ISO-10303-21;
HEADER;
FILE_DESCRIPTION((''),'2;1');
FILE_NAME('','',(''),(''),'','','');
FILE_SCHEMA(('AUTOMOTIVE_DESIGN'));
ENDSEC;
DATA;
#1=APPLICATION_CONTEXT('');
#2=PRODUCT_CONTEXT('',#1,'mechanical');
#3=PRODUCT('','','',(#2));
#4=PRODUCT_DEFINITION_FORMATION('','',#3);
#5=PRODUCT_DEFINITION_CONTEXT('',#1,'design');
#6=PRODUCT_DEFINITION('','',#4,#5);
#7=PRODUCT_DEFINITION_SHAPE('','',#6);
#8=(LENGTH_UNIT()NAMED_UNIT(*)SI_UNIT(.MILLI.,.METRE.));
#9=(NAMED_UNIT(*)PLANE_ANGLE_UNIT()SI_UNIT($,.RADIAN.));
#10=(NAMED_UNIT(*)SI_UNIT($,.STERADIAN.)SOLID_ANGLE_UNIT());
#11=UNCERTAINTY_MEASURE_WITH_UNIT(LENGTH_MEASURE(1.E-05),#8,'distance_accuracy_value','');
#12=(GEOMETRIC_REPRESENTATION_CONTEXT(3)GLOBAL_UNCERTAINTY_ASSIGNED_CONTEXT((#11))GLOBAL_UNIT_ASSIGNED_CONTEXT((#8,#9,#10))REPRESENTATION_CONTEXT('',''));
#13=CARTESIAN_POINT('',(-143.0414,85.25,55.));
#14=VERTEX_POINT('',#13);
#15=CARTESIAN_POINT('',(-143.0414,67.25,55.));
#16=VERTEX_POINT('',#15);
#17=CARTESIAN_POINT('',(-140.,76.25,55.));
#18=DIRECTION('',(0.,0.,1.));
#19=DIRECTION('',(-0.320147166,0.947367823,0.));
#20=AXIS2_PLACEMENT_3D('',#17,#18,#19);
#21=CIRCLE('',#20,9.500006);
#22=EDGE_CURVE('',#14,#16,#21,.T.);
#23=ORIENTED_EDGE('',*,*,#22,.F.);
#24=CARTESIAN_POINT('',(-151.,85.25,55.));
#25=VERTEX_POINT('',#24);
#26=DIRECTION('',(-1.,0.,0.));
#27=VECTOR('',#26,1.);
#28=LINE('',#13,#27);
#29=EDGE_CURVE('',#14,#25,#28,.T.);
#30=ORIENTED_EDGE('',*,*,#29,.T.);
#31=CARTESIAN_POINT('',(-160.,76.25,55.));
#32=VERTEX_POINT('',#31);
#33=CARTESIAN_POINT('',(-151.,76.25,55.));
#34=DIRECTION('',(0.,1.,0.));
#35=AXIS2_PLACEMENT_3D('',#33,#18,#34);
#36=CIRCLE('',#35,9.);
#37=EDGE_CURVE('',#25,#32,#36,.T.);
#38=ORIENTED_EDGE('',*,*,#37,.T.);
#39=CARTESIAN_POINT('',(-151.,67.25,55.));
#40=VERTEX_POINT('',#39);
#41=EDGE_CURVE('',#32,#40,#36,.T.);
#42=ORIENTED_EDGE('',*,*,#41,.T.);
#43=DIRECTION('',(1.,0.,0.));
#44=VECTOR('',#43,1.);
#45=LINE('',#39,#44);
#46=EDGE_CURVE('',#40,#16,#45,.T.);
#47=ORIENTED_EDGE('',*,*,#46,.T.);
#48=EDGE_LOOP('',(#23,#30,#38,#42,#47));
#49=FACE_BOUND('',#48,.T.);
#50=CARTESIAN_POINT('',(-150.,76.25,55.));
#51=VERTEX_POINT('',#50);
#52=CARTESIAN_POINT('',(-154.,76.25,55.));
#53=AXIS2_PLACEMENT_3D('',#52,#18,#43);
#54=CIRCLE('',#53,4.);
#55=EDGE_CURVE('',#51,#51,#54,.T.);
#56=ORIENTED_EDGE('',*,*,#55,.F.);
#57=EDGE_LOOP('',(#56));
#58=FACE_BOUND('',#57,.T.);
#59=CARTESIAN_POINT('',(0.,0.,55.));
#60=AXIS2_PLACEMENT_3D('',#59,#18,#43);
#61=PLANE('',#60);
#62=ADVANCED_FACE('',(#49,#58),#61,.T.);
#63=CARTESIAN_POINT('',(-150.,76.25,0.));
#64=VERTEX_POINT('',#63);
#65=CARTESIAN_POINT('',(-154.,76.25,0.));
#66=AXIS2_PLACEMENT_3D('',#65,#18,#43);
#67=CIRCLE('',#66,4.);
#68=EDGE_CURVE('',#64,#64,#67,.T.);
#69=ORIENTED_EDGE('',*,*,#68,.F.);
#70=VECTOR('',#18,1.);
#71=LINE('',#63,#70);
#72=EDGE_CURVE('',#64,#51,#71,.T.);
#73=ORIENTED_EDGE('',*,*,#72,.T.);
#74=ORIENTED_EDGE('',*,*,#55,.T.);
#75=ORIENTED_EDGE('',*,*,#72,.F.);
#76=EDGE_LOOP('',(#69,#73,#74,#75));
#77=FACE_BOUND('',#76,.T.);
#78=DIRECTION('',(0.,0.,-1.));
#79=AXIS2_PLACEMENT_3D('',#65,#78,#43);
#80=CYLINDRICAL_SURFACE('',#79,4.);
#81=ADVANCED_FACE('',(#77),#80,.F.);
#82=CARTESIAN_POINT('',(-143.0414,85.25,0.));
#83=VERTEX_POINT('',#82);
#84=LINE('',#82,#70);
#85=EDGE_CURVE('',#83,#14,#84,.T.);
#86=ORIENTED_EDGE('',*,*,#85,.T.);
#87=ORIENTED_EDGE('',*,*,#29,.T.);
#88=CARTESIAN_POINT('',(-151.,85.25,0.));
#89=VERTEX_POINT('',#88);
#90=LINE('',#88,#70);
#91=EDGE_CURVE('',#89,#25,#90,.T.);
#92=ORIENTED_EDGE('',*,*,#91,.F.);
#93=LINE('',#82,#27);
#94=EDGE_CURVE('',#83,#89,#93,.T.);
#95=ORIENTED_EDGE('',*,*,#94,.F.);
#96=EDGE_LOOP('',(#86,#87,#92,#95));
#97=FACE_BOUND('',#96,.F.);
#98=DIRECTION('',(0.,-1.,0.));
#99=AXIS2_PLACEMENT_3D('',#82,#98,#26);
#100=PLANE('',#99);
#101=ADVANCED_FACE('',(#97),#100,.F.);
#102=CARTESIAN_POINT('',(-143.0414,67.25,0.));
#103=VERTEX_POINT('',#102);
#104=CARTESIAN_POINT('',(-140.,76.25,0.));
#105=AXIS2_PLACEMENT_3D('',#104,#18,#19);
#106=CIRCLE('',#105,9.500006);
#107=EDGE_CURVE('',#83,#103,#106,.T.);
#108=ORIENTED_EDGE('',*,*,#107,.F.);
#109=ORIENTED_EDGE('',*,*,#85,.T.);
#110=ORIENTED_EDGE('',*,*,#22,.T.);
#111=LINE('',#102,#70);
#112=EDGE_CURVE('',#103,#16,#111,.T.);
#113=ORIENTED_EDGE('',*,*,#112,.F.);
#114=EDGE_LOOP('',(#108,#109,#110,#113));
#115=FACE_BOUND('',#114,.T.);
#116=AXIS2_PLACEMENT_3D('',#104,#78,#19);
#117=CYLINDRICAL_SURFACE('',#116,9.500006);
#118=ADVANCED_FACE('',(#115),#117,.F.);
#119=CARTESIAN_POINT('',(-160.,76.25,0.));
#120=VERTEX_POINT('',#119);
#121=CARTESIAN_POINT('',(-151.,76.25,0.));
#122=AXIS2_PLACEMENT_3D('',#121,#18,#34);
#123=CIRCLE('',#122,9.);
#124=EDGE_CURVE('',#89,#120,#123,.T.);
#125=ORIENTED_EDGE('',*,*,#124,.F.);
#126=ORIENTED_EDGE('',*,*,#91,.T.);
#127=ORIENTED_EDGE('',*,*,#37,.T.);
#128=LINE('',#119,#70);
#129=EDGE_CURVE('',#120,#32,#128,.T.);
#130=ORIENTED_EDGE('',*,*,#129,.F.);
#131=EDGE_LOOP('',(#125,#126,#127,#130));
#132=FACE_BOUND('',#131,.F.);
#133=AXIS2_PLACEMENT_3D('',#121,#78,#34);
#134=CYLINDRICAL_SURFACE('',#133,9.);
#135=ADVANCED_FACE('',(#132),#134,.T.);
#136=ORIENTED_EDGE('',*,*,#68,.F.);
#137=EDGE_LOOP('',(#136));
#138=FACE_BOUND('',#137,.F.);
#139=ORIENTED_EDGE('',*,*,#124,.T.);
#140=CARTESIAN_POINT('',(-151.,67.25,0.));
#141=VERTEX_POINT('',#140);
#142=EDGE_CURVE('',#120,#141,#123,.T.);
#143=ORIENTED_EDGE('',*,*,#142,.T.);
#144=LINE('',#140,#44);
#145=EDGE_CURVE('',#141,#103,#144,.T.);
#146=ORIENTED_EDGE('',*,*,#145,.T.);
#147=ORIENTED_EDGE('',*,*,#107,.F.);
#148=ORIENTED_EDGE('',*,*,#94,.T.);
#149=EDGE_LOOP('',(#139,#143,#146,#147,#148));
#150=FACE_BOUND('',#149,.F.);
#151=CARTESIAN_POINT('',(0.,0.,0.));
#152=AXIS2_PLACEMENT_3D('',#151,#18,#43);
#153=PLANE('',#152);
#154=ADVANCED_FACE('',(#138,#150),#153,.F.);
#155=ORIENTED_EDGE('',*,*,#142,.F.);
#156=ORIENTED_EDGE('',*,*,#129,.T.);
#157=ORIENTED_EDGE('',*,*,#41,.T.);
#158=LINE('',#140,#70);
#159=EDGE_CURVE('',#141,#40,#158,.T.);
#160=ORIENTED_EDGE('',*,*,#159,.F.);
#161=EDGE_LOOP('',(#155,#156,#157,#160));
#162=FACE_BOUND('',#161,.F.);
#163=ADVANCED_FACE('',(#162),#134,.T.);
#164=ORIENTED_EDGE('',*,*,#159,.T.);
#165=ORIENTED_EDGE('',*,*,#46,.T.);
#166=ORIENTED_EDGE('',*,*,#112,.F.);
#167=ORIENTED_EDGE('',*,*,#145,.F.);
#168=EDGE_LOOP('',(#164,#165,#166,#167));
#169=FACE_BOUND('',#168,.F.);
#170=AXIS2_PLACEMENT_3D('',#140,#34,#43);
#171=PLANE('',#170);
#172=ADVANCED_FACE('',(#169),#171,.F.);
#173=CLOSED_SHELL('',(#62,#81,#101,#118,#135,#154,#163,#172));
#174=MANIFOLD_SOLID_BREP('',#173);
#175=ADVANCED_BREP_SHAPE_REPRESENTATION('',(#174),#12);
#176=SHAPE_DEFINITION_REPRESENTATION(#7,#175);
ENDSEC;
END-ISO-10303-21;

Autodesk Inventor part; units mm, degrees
ref_plane "YZ Plane" through (0, 0, 0) normal (1, 0, 0) x (0, 1, 0)
ref_plane "XZ Plane" through (0, 0, 0) normal (0, 1, 0) x (-1, 0, 0)
ref_plane "XY Plane" through (0, 0, 0) normal (0, 0, 1) x (1, 0, 0)
sketch "Skizze1" plane through (0, 0, 0) normal (0, 0, 1) x (1, 0, 0)
  line L0 (0, 0) -> (0, 260)
  line L1 (0, 260) -> (-3, 155)
  arc A0 (-3, 155) -> (-3, 145) centre (-3, 150) ccw
  line L2 (-3, 145) -> (0, 145)
  line L3 (0, 0) -> (0, 260)
  line L4 (0, 260) -> (-3, 210)
  arc A1 (-3, 210) -> (-3, 200) centre (-3, 205) ccw
  line L5 (-3, 200) -> (0, 200)
  line L6 (0, 130) -> (-160, 130)
  line L7 (-160, 130) -> (0, 260)
  line L8 (0, 260) -> (-160, 260)
  line L9 (-160, 260) -> (-160, 0)
  line L10 (-80, 260) -> (-80, 0)
  line L11 (-80, 0) -> (-160, 260)
  line L12 (-160, 260) -> (-160, 0)
  line L13 (-160, 0) -> (0, 0)
  line L14 (0, 0) -> (-160, 0)
  line L15 (-137.5, 31.5) -> (-158.5, 31.5)
  line L16 (-158.5, 31.5) -> (-158.5, 58.5)
  line L17 (-158.5, 58.5) -> (-137.5, 58.5)
  line L18 (-137.5, 58.5) -> (-137.5, 31.5)
  line L19 (-16.9586, 239.25) -> (-9, 239.25)
  arc A2 (-9, 239.25) -> (-9, 257.25) centre (-9, 248.25) ccw
  line L20 (-9, 257.25) -> (-16.9586, 257.25)
  arc A3 (-16.9586, 239.25) -> (-16.9586, 257.25) centre (-20, 248.25) ccw
  line L21 (-143.0414, 85.25) -> (-151, 85.25)
  arc A4 (-151, 85.25) -> (-151, 67.25) centre (-151, 76.25) ccw
  line L22 (-151, 67.25) -> (-143.0414, 67.25)
  arc A5 (-143.0414, 85.25) -> (-143.0414, 67.25) centre (-140, 76.25) ccw
  line L23 (-151, 174.75) -> (-143.0414, 174.75)
  arc A6 (-143.0414, 192.75) -> (-143.0414, 174.75) centre (-140, 183.75) ccw
  line L24 (-143.0414, 192.75) -> (-151, 192.75)
  arc A7 (-151, 192.75) -> (-151, 174.75) centre (-151, 183.75) ccw
  line L25 (-9, 20.75) -> (-16.9586, 20.75)
  arc A8 (-16.9586, 2.75) -> (-16.9586, 20.75) centre (-20, 11.75) ccw
  line L26 (-16.9586, 2.75) -> (-9, 2.75)
  arc A9 (-9, 2.75) -> (-9, 20.75) centre (-9, 11.75) ccw
  line L27 (-150, 0) -> (-150, 55)
  arc A10 (-150, 55) -> (-155, 60) centre (-155, 55) ccw
  line L28 (-155, 60) -> (-160, 60)
  line L29 (-160, 25) -> (-155, 25)
  arc A11 (-150, 20) -> (-155, 25) centre (-155, 20) ccw
  line L30 (-150, 260) -> (-150, 205)
  arc A12 (-155, 200) -> (-150, 205) centre (-155, 205) ccw
  line L31 (-155, 200) -> (-160, 200)
  line L32 (-160, 235) -> (-155, 235)
  arc A13 (-155, 235) -> (-150, 240) centre (-155, 240) ccw
  line L33 (0, 210) -> (-3, 210)
  arc A14 (-3, 210) -> (-3, 200) centre (-3, 205) ccw
  line L34 (-3, 200) -> (0, 200)
  line L35 (0, 155) -> (-3, 155)
  arc A15 (-3, 155) -> (-3, 145) centre (-3, 150) ccw
  line L36 (-3, 145) -> (0, 145)
  line L37 (-160, 145) -> (-157, 145)
  arc A16 (-157, 145) -> (-157, 155) centre (-157, 150) ccw
  line L38 (-157, 155) -> (-160, 155)
  line L39 (0, 60) -> (-3, 60)
  arc A17 (-3, 60) -> (-3, 50) centre (-3, 55) ccw
  line L40 (-3, 50) -> (0, 50)
  line L41 (0, 105) -> (-3, 105)
  arc A18 (-3, 115) -> (-3, 105) centre (-3, 110) ccw
  line L42 (-3, 115) -> (0, 115)
  line L43 (-160, 105) -> (-157, 105)
  arc A19 (-157, 105) -> (-157, 115) centre (-157, 110) ccw
  line L44 (-157, 115) -> (-160, 115)
  circle A20 centre (-20, 226.75) radius 9
  circle A21 centre (-20, 248.25) radius 9
  circle A22 centre (-20, 205.25) radius 9
  circle A23 centre (-20, 162.25) radius 9
  circle A24 centre (-20, 119.25) radius 9
  circle A25 centre (-20, 11.75) radius 9
  circle A26 centre (-20, 33.25) radius 9
  circle A27 centre (-20, 11.75) radius 9
  circle A28 centre (-20, 54.75) radius 9
  circle A29 centre (-20, 97.75) radius 9
  circle A30 centre (-20, 140.75) radius 9
  circle A31 centre (-20, 183.75) radius 9
  circle A32 centre (-40, 226.75) radius 9
  circle A33 centre (-40, 248.25) radius 9
  circle A34 centre (-40, 205.25) radius 9
  circle A35 centre (-40, 162.25) radius 9
  circle A36 centre (-40, 119.25) radius 9
  circle A37 centre (-40, 76.25) radius 9
  circle A38 centre (-40, 33.25) radius 9
  circle A39 centre (-40, 11.75) radius 9
  circle A40 centre (-40, 54.75) radius 9
  circle A41 centre (-40, 97.75) radius 9
  circle A42 centre (-40, 140.75) radius 9
  circle A43 centre (-40, 183.75) radius 9
  circle A44 centre (-60, 226.75) radius 9
  circle A45 centre (-60, 248.25) radius 9
  circle A46 centre (-60, 205.25) radius 9
  circle A47 centre (-60, 162.25) radius 9
  circle A48 centre (-60, 119.25) radius 9
  circle A49 centre (-60, 76.25) radius 9
  circle A50 centre (-60, 33.25) radius 9
  circle A51 centre (-60, 11.75) radius 9
  circle A52 centre (-60, 54.75) radius 9
  circle A53 centre (-60, 97.75) radius 9
  circle A54 centre (-60, 140.75) radius 9
  circle A55 centre (-60, 183.75) radius 9
  circle A56 centre (-80, 226.75) radius 9
  circle A57 centre (-80, 248.25) radius 9
  circle A58 centre (-80, 205.25) radius 9
  circle A59 centre (-80, 162.25) radius 9
  circle A60 centre (-80, 119.25) radius 9
  circle A61 centre (-80, 76.25) radius 9
  circle A62 centre (-80, 33.25) radius 9
  circle A63 centre (-80, 11.75) radius 9
  circle A64 centre (-80, 54.75) radius 9
  circle A65 centre (-80, 97.75) radius 9
  circle A66 centre (-80, 140.75) radius 9
  circle A67 centre (-80, 183.75) radius 9
  circle A68 centre (-100, 226.75) radius 9
  circle A69 centre (-100, 248.25) radius 9
  circle A70 centre (-100, 205.25) radius 9
  circle A71 centre (-100, 162.25) radius 9
  circle A72 centre (-100, 119.25) radius 9
  circle A73 centre (-100, 76.25) radius 9
  circle A74 centre (-100, 33.25) radius 9
  circle A75 centre (-100, 11.75) radius 9
  circle A76 centre (-100, 54.75) radius 9
  circle A77 centre (-100, 97.75) radius 9
  circle A78 centre (-100, 140.75) radius 9
  circle A79 centre (-100, 183.75) radius 9
  circle A80 centre (-120, 226.75) radius 9
  circle A81 centre (-120, 248.25) radius 9
  circle A82 centre (-120, 205.25) radius 9
  circle A83 centre (-120, 162.25) radius 9
  circle A84 centre (-120, 119.25) radius 9
  circle A85 centre (-120, 76.25) radius 9
  circle A86 centre (-120, 33.25) radius 9
  circle A87 centre (-120, 11.75) radius 9
  circle A88 centre (-120, 54.75) radius 9
  circle A89 centre (-120, 97.75) radius 9
  circle A90 centre (-120, 140.75) radius 9
  circle A91 centre (-120, 183.75) radius 9
  circle A92 centre (-140, 226.75) radius 9
  circle A93 centre (-140, 183.75) radius 9
  circle A94 centre (-140, 140.75) radius 9
  circle A95 centre (-140, 97.75) radius 9
  circle A96 centre (-140, 54.75) radius 9
  circle A97 centre (-140, 11.75) radius 9
  circle A98 centre (-140, 33.25) radius 9
  circle A99 centre (-140, 76.25) radius 9
  circle A100 centre (-140, 119.25) radius 9
  circle A101 centre (-140, 162.25) radius 9
  circle A102 centre (-140, 205.25) radius 9
  circle A103 centre (-140, 248.25) radius 9
  line L45 (0, 0) -> (0, 260)
  line L46 (-160, 0) -> (0, 0)
  line L47 (-160, 260) -> (-160, 0)
  line L48 (-160, 0) -> (0, 0)
  line L49 (0, 260) -> (-160, 260)
  line L50 (0, 130) -> (-160, 130)
  circle A104 centre (-20, 11.75) radius 9
  circle A105 centre (-3, 248.25) radius 2.5
  circle A106 centre (-154, 76.25) radius 4
  circle A107 centre (-154, 183.75) radius 4
  line L51 (-80, 260) -> (-80, 0)
  circle A108 centre (-6, 11.75) radius 4
  circle A109 centre (-6, 248.25) radius 4
extrude "Extrusion2" add sketch "Skizze1" along normal blind 55 contours A4 L21 A5 L22
properties part number "Abstandhalter"
